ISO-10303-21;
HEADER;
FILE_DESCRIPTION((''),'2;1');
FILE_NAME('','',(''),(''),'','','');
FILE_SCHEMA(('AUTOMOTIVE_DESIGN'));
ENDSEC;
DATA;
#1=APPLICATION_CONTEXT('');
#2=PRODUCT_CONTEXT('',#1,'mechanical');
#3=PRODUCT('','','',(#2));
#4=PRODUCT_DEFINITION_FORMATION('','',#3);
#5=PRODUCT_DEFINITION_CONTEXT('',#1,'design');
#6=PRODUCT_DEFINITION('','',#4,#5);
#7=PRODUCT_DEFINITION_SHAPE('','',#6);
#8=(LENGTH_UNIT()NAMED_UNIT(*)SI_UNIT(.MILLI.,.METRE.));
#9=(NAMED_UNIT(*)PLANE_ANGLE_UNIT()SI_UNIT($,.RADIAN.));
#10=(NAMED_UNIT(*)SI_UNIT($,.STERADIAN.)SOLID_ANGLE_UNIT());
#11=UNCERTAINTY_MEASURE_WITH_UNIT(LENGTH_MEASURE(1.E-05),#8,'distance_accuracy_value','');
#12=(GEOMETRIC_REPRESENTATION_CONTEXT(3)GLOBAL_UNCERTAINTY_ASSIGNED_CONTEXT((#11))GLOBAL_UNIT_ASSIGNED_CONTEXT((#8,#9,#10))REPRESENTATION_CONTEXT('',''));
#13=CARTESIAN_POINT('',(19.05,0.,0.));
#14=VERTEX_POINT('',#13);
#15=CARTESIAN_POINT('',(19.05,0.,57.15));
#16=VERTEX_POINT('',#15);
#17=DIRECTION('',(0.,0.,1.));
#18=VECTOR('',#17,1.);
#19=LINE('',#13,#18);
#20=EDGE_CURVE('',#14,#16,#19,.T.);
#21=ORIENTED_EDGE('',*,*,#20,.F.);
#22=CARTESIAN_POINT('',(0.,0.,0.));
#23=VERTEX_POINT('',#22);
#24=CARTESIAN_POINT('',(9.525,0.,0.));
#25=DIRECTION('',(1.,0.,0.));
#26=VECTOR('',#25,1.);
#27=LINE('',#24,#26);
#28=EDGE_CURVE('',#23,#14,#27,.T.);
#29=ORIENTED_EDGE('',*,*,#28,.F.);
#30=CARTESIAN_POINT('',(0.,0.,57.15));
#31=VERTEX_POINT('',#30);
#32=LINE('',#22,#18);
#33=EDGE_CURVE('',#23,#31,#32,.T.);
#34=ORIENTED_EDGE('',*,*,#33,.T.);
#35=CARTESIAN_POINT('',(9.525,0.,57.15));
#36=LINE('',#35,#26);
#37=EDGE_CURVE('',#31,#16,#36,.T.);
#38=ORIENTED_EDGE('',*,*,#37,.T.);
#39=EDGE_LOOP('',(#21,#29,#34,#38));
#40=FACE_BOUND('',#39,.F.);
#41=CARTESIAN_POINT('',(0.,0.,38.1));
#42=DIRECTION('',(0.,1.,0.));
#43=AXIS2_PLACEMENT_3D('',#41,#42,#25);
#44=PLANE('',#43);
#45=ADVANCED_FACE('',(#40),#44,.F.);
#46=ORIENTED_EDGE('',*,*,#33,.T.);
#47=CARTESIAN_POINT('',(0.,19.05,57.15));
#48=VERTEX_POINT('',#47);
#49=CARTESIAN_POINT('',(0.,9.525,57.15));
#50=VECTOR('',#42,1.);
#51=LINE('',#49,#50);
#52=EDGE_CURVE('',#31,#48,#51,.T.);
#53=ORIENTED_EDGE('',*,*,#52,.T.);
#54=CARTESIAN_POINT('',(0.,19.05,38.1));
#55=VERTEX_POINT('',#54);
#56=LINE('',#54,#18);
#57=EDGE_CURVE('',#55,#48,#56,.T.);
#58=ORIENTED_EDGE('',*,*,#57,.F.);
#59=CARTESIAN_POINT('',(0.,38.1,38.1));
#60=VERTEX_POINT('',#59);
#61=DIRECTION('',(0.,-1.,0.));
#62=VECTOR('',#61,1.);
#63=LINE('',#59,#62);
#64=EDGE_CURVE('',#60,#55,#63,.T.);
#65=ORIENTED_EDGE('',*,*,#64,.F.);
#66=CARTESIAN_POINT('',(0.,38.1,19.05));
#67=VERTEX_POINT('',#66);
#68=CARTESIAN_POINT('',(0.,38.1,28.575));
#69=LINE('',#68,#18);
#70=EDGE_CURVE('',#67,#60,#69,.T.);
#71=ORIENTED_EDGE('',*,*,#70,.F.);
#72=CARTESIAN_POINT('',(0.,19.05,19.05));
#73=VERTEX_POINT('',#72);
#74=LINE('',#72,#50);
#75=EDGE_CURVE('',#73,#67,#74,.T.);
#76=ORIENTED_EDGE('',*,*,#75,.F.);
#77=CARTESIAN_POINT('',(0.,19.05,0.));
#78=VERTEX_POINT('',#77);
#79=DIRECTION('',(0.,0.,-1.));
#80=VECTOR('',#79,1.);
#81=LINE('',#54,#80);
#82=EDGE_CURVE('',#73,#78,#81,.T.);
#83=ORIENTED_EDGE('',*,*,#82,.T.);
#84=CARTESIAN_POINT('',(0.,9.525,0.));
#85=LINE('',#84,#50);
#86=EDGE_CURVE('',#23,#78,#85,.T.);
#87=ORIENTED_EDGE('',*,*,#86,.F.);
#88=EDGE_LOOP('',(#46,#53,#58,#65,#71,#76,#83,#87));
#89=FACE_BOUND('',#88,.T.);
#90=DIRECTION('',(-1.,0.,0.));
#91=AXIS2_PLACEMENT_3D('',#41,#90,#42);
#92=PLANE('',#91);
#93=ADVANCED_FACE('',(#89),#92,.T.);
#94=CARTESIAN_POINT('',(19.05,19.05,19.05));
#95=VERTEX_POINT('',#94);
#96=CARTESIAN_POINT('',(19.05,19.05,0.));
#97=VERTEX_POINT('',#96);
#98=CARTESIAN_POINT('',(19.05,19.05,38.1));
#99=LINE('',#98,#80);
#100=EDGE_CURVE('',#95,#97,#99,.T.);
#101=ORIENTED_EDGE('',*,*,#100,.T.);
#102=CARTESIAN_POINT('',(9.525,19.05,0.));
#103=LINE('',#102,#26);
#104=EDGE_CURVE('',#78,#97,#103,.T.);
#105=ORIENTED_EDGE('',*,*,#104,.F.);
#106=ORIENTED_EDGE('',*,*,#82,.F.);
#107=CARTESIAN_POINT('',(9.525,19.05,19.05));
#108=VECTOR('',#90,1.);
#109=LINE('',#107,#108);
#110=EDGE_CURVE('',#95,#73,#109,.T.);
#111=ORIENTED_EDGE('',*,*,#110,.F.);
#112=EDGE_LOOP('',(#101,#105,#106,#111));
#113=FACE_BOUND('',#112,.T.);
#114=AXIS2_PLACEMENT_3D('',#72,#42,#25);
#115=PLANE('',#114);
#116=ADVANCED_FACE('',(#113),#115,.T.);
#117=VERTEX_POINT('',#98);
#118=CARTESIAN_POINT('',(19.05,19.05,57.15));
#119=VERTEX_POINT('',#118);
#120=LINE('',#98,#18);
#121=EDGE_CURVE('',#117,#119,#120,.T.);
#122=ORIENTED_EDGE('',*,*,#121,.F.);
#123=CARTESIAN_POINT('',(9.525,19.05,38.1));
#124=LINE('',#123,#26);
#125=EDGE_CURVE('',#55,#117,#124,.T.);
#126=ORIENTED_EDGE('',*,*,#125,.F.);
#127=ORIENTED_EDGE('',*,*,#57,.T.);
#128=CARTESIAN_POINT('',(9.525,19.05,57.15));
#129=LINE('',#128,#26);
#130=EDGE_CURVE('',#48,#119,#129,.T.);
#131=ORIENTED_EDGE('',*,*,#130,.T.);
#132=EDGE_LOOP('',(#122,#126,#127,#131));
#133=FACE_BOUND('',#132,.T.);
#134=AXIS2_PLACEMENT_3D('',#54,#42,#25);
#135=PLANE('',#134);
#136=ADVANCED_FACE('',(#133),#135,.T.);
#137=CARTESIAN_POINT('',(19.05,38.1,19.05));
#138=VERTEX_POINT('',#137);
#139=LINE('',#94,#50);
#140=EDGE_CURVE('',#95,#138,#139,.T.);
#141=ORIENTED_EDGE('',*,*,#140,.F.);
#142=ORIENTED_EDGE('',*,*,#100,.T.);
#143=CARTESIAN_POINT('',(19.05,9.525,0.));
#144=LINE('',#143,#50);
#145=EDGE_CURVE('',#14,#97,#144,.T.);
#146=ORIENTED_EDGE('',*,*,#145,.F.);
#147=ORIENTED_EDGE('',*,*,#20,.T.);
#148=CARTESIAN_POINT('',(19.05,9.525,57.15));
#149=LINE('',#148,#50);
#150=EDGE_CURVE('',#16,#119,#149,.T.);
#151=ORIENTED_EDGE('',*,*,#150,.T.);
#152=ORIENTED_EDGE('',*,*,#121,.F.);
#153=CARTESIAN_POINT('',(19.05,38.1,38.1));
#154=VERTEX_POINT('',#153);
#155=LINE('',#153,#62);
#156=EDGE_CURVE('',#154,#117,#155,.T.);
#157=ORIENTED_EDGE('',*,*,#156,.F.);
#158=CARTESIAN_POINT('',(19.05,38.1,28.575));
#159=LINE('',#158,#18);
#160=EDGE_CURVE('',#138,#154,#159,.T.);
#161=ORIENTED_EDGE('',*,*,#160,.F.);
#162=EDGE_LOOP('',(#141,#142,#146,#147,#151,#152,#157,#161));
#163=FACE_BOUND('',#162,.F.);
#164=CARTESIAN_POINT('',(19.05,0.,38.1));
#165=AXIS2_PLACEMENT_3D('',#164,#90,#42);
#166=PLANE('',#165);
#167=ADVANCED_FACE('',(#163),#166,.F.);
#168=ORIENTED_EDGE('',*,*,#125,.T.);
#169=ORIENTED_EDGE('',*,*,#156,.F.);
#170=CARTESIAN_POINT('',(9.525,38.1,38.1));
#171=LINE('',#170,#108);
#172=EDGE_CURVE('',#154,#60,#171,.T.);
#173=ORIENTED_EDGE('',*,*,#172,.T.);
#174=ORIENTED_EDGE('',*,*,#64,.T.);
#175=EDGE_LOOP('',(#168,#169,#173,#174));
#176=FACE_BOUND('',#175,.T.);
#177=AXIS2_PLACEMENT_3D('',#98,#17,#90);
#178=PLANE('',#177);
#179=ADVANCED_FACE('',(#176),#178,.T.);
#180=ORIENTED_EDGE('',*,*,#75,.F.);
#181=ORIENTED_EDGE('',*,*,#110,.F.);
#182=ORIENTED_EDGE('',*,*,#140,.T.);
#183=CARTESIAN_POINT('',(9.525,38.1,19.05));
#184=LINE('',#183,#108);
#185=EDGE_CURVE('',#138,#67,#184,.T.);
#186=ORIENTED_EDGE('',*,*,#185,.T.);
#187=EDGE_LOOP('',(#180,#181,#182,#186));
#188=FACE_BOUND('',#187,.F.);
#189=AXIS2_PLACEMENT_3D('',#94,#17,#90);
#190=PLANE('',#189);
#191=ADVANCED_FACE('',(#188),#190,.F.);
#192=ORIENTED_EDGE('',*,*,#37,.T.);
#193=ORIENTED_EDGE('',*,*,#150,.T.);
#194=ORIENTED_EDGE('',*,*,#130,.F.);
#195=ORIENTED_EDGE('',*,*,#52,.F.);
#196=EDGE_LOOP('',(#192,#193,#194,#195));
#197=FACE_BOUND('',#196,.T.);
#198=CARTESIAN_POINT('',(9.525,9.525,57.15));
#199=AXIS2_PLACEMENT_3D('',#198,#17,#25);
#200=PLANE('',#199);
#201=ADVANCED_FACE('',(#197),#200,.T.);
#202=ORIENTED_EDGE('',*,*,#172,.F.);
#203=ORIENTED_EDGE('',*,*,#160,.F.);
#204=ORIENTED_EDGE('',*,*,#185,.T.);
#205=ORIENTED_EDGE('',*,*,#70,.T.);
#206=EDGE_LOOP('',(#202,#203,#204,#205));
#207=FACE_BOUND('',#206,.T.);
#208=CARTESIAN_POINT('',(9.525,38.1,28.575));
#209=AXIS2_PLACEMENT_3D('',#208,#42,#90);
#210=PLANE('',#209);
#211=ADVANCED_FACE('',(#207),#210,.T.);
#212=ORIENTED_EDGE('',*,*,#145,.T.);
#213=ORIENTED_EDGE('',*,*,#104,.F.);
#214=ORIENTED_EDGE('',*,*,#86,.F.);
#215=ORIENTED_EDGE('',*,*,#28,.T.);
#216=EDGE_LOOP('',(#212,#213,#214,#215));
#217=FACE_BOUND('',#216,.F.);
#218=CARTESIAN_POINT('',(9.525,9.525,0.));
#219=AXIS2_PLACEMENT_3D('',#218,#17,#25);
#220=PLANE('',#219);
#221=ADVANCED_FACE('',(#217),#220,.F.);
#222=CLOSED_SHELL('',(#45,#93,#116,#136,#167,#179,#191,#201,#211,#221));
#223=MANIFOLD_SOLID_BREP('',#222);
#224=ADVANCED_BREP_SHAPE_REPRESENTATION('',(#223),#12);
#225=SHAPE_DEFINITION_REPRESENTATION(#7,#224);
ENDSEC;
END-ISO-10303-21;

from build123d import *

# Parameters (mm, degrees)
F0_W     = 19.05
F0_H     = 19.05
F1_DEPTH = 19.05
F2_DEPTH = 19.05
F3_W     = 19.05
F3_H     = 19.05
F4_DEPTH = 19.05
F5_W     = 19.05
F5_H     = 19.05
F6_DEPTH = 19.05


with BuildPart() as f1:
    # F0 (on Top) → F1 (new body)
    with BuildSketch(Plane.XY):
        with Locations((9.525, 9.525)):
            Rectangle(F0_W, F0_H)
    extrude(amount=F1_DEPTH)

    # F2 (add): a face of the model
    f2_faces = [f1.faces().sort_by_distance(p)[0] for p in [
        (9.525, 9.525, 19.05),
    ]]
    extrude(f2_faces, amount=F2_DEPTH)

    # F3 (on face) → F4 (join)
    with BuildSketch(Plane(origin=(0, 19.05, 0), x_dir=(-1, 0, 0), z_dir=(0, 1, 0))):
        with Locations((-9.525, 28.575)):
            Rectangle(F3_W, F3_H)
    extrude(amount=F4_DEPTH)

    # F5 (on face) → F6 (join)
    with BuildSketch(Plane.XY.offset(38.1)):
        with Locations((9.525, 9.525)):
            Rectangle(F5_W, F5_H)
    extrude(amount=F6_DEPTH)


solid = f1.part
